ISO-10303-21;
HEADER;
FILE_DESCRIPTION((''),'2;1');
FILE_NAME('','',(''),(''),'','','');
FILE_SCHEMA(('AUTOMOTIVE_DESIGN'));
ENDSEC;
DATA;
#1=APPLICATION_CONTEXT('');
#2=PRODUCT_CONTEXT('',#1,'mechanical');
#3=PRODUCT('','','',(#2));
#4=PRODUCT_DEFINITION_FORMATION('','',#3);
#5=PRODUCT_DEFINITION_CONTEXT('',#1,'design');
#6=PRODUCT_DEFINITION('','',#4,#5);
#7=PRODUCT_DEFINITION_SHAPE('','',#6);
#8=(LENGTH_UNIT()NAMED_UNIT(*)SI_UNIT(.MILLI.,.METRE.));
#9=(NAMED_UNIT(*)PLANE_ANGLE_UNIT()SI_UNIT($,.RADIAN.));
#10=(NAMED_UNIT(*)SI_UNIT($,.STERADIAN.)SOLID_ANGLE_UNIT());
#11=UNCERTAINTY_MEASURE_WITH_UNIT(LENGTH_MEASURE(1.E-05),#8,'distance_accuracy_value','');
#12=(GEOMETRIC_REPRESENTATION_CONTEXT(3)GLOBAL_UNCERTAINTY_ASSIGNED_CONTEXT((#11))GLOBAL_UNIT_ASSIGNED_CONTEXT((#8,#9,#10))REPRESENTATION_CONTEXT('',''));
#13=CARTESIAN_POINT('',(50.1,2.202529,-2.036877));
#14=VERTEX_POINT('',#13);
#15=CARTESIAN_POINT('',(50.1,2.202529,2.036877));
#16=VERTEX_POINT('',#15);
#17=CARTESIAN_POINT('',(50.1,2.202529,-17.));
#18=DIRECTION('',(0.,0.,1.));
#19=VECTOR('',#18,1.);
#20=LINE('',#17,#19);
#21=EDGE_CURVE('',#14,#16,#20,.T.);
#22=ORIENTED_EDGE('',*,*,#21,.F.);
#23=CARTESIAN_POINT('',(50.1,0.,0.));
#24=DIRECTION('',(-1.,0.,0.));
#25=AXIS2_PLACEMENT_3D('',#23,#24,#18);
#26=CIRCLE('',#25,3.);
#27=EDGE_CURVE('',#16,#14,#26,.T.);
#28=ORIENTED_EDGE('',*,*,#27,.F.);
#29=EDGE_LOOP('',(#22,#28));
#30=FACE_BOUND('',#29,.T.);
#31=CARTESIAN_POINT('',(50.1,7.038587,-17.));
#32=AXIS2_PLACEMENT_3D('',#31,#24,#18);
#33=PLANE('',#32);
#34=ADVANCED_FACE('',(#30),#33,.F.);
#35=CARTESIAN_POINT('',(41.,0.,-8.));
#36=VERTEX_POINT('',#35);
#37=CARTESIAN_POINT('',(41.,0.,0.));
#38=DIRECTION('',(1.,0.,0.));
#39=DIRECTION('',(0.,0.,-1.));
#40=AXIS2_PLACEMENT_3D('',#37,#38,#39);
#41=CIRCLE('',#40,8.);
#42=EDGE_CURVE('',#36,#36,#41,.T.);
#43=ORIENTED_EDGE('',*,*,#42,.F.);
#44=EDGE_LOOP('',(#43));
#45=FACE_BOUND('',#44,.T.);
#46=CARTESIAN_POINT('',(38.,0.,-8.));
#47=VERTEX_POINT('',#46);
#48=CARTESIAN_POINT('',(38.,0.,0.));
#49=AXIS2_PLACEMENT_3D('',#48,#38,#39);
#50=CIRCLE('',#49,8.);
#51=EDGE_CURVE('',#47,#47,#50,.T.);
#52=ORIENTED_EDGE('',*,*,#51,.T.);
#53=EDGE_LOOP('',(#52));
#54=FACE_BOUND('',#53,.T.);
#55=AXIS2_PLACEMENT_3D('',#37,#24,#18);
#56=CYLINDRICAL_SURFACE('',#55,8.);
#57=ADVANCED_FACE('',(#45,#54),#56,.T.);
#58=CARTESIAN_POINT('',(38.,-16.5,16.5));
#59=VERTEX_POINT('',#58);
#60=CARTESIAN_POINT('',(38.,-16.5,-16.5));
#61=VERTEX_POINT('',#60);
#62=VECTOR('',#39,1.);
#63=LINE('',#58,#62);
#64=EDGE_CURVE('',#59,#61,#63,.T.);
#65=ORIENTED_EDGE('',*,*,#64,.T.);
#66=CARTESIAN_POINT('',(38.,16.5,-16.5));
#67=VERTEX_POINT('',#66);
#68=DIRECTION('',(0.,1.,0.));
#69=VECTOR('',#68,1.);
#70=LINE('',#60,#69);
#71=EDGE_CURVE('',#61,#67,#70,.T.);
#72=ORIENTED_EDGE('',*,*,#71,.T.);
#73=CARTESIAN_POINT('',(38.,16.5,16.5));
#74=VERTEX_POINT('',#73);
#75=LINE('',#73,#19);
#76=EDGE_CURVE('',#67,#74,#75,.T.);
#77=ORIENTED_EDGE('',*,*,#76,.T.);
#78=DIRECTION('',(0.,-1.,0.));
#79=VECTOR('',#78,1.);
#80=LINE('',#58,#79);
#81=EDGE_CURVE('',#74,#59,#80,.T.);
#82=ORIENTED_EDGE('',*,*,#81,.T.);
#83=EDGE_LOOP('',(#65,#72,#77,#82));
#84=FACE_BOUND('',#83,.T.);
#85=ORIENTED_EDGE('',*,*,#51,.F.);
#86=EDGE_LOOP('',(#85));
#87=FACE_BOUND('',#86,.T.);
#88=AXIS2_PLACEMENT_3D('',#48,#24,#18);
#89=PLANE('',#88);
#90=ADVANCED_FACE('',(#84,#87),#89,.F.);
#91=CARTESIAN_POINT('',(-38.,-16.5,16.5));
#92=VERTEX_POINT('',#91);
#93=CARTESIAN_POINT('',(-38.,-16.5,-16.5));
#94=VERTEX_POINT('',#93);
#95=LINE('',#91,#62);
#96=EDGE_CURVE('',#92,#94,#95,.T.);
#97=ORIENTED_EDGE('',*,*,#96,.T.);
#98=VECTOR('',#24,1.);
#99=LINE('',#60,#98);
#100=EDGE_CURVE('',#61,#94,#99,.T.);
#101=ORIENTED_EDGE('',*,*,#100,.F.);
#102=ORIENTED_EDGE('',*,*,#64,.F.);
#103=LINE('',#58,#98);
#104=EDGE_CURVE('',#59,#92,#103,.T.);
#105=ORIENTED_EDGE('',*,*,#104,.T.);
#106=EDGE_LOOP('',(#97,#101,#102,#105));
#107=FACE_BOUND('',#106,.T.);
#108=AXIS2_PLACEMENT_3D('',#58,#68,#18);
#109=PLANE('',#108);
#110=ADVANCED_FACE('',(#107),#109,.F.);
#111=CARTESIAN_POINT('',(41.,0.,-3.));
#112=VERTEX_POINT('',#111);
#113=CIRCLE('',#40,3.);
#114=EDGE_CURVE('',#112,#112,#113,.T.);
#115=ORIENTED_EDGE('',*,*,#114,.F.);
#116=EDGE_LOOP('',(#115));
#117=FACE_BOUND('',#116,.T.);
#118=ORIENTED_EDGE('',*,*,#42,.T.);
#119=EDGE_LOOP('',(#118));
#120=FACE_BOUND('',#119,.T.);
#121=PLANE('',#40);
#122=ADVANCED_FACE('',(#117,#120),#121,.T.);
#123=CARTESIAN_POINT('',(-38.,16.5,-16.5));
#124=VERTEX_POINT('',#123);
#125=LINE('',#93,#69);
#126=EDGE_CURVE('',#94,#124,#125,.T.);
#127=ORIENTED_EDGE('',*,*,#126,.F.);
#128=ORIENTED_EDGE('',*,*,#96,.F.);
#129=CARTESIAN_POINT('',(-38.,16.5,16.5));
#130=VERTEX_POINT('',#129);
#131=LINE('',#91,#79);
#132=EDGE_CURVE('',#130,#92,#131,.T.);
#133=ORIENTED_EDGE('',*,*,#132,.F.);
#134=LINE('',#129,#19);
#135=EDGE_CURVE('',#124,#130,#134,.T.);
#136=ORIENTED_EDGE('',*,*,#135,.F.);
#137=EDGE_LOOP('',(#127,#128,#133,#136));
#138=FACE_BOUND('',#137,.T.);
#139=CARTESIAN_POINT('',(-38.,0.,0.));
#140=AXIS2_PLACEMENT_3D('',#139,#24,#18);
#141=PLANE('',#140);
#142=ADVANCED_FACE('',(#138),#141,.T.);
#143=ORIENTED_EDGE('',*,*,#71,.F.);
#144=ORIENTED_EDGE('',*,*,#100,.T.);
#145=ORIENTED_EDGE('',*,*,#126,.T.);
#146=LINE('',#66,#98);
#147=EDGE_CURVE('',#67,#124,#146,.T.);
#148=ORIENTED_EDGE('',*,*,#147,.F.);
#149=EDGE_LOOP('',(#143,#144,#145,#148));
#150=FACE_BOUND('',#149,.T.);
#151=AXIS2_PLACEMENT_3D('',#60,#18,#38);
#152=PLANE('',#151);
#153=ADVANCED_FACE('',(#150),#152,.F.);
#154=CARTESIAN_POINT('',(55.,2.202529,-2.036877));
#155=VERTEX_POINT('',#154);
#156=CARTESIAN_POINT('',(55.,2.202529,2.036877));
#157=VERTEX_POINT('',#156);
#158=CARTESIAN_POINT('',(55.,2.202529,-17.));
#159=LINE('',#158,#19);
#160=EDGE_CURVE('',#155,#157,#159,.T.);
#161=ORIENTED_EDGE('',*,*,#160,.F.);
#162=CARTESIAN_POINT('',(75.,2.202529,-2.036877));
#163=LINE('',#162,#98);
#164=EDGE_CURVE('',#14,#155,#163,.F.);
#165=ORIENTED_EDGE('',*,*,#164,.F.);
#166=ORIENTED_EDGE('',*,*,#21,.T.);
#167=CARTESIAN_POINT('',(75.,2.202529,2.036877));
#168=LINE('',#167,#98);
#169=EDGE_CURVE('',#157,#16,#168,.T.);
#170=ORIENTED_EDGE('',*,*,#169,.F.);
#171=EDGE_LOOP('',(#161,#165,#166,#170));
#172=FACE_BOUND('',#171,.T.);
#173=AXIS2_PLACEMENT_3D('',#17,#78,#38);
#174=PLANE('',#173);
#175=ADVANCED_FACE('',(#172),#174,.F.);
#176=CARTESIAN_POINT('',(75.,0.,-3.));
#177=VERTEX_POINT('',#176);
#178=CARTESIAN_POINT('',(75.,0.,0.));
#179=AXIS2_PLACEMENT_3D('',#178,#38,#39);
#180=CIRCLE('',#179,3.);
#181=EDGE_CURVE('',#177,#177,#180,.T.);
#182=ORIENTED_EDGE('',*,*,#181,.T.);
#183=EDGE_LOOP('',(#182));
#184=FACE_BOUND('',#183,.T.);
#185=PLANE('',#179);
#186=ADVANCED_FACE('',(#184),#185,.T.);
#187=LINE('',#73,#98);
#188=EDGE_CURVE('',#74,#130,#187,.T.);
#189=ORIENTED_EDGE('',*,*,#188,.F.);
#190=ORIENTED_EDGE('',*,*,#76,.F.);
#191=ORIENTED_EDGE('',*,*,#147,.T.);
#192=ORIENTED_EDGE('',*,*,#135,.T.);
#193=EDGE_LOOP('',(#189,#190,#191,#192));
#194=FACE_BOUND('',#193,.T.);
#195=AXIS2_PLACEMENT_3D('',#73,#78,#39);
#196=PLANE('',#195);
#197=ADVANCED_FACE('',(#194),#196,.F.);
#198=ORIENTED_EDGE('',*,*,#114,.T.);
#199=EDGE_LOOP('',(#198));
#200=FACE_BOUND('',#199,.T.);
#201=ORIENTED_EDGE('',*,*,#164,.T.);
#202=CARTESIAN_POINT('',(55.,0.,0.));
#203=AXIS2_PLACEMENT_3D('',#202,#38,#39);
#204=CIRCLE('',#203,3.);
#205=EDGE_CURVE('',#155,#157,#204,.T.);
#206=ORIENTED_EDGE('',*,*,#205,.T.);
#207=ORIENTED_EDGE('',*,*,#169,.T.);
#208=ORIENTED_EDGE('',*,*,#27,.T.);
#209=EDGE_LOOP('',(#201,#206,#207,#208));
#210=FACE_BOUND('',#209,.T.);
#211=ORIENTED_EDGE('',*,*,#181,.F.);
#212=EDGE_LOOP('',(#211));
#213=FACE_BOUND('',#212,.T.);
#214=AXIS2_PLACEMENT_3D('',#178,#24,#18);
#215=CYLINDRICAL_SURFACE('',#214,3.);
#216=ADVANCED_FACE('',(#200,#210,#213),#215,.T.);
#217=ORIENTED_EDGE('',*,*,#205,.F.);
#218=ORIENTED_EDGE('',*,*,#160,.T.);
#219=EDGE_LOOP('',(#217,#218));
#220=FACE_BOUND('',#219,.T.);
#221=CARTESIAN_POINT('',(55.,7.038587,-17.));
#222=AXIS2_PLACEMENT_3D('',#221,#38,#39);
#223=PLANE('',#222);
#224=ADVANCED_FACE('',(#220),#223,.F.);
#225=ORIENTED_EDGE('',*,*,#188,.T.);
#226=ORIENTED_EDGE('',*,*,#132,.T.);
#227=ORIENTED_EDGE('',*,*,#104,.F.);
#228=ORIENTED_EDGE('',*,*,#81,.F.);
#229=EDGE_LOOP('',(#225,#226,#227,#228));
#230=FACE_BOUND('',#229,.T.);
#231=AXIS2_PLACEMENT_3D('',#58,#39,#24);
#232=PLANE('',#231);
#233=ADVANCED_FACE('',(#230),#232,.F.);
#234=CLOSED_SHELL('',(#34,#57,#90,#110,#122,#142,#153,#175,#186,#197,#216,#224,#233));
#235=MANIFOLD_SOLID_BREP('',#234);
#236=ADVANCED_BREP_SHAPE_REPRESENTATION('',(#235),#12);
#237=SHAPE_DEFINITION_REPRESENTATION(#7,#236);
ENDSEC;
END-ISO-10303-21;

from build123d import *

# Parameters (mm, degrees)
SKETCH1_W           = 33
SKETCH1_H           = 33
BOSS_EXTRUDE1_DEPTH = 38
SKETCH2_R           = 8
BOSS_EXTRUDE2_DEPTH = 3
SKETCH3_R           = 3
BOSS_EXTRUDE3_DEPTH = 34
SKETCH4_W           = 4.9
SKETCH4_H           = 4.836057971
CUT_EXTRUDE1_DEPTH  = 17


with BuildPart() as part:
    # Sketch1 → Boss-Extrude1 (new body, symmetric)
    with BuildSketch(Plane(origin=(0, 0, 0), x_dir=(0, 0, -1), z_dir=(1, 0, 0))):
        Rectangle(SKETCH1_W, SKETCH1_H)
    extrude(amount=BOSS_EXTRUDE1_DEPTH, both=True)

    # Sketch2 → Boss-Extrude2 (add)
    with BuildSketch(Plane(origin=(38, 0, 0), x_dir=(0, 0, -1), z_dir=(1, 0, 0))):
        Circle(SKETCH2_R)
    extrude(amount=BOSS_EXTRUDE2_DEPTH)

    # Sketch3 → Boss-Extrude3 (add)
    with BuildSketch(Plane(origin=(41, 0, 0), x_dir=(0, 0, -1), z_dir=(1, 0, 0))):
        Circle(SKETCH3_R)
    extrude(amount=BOSS_EXTRUDE3_DEPTH)

    # Sketch4 → Cut-Extrude1 (cut, symmetric)
    with BuildSketch(Plane.XY):
        with Locations((52.55, 4.620557789)):
            Rectangle(SKETCH4_W, SKETCH4_H)
    extrude(amount=CUT_EXTRUDE1_DEPTH, both=True, mode=Mode.SUBTRACT)


solid = part.part
